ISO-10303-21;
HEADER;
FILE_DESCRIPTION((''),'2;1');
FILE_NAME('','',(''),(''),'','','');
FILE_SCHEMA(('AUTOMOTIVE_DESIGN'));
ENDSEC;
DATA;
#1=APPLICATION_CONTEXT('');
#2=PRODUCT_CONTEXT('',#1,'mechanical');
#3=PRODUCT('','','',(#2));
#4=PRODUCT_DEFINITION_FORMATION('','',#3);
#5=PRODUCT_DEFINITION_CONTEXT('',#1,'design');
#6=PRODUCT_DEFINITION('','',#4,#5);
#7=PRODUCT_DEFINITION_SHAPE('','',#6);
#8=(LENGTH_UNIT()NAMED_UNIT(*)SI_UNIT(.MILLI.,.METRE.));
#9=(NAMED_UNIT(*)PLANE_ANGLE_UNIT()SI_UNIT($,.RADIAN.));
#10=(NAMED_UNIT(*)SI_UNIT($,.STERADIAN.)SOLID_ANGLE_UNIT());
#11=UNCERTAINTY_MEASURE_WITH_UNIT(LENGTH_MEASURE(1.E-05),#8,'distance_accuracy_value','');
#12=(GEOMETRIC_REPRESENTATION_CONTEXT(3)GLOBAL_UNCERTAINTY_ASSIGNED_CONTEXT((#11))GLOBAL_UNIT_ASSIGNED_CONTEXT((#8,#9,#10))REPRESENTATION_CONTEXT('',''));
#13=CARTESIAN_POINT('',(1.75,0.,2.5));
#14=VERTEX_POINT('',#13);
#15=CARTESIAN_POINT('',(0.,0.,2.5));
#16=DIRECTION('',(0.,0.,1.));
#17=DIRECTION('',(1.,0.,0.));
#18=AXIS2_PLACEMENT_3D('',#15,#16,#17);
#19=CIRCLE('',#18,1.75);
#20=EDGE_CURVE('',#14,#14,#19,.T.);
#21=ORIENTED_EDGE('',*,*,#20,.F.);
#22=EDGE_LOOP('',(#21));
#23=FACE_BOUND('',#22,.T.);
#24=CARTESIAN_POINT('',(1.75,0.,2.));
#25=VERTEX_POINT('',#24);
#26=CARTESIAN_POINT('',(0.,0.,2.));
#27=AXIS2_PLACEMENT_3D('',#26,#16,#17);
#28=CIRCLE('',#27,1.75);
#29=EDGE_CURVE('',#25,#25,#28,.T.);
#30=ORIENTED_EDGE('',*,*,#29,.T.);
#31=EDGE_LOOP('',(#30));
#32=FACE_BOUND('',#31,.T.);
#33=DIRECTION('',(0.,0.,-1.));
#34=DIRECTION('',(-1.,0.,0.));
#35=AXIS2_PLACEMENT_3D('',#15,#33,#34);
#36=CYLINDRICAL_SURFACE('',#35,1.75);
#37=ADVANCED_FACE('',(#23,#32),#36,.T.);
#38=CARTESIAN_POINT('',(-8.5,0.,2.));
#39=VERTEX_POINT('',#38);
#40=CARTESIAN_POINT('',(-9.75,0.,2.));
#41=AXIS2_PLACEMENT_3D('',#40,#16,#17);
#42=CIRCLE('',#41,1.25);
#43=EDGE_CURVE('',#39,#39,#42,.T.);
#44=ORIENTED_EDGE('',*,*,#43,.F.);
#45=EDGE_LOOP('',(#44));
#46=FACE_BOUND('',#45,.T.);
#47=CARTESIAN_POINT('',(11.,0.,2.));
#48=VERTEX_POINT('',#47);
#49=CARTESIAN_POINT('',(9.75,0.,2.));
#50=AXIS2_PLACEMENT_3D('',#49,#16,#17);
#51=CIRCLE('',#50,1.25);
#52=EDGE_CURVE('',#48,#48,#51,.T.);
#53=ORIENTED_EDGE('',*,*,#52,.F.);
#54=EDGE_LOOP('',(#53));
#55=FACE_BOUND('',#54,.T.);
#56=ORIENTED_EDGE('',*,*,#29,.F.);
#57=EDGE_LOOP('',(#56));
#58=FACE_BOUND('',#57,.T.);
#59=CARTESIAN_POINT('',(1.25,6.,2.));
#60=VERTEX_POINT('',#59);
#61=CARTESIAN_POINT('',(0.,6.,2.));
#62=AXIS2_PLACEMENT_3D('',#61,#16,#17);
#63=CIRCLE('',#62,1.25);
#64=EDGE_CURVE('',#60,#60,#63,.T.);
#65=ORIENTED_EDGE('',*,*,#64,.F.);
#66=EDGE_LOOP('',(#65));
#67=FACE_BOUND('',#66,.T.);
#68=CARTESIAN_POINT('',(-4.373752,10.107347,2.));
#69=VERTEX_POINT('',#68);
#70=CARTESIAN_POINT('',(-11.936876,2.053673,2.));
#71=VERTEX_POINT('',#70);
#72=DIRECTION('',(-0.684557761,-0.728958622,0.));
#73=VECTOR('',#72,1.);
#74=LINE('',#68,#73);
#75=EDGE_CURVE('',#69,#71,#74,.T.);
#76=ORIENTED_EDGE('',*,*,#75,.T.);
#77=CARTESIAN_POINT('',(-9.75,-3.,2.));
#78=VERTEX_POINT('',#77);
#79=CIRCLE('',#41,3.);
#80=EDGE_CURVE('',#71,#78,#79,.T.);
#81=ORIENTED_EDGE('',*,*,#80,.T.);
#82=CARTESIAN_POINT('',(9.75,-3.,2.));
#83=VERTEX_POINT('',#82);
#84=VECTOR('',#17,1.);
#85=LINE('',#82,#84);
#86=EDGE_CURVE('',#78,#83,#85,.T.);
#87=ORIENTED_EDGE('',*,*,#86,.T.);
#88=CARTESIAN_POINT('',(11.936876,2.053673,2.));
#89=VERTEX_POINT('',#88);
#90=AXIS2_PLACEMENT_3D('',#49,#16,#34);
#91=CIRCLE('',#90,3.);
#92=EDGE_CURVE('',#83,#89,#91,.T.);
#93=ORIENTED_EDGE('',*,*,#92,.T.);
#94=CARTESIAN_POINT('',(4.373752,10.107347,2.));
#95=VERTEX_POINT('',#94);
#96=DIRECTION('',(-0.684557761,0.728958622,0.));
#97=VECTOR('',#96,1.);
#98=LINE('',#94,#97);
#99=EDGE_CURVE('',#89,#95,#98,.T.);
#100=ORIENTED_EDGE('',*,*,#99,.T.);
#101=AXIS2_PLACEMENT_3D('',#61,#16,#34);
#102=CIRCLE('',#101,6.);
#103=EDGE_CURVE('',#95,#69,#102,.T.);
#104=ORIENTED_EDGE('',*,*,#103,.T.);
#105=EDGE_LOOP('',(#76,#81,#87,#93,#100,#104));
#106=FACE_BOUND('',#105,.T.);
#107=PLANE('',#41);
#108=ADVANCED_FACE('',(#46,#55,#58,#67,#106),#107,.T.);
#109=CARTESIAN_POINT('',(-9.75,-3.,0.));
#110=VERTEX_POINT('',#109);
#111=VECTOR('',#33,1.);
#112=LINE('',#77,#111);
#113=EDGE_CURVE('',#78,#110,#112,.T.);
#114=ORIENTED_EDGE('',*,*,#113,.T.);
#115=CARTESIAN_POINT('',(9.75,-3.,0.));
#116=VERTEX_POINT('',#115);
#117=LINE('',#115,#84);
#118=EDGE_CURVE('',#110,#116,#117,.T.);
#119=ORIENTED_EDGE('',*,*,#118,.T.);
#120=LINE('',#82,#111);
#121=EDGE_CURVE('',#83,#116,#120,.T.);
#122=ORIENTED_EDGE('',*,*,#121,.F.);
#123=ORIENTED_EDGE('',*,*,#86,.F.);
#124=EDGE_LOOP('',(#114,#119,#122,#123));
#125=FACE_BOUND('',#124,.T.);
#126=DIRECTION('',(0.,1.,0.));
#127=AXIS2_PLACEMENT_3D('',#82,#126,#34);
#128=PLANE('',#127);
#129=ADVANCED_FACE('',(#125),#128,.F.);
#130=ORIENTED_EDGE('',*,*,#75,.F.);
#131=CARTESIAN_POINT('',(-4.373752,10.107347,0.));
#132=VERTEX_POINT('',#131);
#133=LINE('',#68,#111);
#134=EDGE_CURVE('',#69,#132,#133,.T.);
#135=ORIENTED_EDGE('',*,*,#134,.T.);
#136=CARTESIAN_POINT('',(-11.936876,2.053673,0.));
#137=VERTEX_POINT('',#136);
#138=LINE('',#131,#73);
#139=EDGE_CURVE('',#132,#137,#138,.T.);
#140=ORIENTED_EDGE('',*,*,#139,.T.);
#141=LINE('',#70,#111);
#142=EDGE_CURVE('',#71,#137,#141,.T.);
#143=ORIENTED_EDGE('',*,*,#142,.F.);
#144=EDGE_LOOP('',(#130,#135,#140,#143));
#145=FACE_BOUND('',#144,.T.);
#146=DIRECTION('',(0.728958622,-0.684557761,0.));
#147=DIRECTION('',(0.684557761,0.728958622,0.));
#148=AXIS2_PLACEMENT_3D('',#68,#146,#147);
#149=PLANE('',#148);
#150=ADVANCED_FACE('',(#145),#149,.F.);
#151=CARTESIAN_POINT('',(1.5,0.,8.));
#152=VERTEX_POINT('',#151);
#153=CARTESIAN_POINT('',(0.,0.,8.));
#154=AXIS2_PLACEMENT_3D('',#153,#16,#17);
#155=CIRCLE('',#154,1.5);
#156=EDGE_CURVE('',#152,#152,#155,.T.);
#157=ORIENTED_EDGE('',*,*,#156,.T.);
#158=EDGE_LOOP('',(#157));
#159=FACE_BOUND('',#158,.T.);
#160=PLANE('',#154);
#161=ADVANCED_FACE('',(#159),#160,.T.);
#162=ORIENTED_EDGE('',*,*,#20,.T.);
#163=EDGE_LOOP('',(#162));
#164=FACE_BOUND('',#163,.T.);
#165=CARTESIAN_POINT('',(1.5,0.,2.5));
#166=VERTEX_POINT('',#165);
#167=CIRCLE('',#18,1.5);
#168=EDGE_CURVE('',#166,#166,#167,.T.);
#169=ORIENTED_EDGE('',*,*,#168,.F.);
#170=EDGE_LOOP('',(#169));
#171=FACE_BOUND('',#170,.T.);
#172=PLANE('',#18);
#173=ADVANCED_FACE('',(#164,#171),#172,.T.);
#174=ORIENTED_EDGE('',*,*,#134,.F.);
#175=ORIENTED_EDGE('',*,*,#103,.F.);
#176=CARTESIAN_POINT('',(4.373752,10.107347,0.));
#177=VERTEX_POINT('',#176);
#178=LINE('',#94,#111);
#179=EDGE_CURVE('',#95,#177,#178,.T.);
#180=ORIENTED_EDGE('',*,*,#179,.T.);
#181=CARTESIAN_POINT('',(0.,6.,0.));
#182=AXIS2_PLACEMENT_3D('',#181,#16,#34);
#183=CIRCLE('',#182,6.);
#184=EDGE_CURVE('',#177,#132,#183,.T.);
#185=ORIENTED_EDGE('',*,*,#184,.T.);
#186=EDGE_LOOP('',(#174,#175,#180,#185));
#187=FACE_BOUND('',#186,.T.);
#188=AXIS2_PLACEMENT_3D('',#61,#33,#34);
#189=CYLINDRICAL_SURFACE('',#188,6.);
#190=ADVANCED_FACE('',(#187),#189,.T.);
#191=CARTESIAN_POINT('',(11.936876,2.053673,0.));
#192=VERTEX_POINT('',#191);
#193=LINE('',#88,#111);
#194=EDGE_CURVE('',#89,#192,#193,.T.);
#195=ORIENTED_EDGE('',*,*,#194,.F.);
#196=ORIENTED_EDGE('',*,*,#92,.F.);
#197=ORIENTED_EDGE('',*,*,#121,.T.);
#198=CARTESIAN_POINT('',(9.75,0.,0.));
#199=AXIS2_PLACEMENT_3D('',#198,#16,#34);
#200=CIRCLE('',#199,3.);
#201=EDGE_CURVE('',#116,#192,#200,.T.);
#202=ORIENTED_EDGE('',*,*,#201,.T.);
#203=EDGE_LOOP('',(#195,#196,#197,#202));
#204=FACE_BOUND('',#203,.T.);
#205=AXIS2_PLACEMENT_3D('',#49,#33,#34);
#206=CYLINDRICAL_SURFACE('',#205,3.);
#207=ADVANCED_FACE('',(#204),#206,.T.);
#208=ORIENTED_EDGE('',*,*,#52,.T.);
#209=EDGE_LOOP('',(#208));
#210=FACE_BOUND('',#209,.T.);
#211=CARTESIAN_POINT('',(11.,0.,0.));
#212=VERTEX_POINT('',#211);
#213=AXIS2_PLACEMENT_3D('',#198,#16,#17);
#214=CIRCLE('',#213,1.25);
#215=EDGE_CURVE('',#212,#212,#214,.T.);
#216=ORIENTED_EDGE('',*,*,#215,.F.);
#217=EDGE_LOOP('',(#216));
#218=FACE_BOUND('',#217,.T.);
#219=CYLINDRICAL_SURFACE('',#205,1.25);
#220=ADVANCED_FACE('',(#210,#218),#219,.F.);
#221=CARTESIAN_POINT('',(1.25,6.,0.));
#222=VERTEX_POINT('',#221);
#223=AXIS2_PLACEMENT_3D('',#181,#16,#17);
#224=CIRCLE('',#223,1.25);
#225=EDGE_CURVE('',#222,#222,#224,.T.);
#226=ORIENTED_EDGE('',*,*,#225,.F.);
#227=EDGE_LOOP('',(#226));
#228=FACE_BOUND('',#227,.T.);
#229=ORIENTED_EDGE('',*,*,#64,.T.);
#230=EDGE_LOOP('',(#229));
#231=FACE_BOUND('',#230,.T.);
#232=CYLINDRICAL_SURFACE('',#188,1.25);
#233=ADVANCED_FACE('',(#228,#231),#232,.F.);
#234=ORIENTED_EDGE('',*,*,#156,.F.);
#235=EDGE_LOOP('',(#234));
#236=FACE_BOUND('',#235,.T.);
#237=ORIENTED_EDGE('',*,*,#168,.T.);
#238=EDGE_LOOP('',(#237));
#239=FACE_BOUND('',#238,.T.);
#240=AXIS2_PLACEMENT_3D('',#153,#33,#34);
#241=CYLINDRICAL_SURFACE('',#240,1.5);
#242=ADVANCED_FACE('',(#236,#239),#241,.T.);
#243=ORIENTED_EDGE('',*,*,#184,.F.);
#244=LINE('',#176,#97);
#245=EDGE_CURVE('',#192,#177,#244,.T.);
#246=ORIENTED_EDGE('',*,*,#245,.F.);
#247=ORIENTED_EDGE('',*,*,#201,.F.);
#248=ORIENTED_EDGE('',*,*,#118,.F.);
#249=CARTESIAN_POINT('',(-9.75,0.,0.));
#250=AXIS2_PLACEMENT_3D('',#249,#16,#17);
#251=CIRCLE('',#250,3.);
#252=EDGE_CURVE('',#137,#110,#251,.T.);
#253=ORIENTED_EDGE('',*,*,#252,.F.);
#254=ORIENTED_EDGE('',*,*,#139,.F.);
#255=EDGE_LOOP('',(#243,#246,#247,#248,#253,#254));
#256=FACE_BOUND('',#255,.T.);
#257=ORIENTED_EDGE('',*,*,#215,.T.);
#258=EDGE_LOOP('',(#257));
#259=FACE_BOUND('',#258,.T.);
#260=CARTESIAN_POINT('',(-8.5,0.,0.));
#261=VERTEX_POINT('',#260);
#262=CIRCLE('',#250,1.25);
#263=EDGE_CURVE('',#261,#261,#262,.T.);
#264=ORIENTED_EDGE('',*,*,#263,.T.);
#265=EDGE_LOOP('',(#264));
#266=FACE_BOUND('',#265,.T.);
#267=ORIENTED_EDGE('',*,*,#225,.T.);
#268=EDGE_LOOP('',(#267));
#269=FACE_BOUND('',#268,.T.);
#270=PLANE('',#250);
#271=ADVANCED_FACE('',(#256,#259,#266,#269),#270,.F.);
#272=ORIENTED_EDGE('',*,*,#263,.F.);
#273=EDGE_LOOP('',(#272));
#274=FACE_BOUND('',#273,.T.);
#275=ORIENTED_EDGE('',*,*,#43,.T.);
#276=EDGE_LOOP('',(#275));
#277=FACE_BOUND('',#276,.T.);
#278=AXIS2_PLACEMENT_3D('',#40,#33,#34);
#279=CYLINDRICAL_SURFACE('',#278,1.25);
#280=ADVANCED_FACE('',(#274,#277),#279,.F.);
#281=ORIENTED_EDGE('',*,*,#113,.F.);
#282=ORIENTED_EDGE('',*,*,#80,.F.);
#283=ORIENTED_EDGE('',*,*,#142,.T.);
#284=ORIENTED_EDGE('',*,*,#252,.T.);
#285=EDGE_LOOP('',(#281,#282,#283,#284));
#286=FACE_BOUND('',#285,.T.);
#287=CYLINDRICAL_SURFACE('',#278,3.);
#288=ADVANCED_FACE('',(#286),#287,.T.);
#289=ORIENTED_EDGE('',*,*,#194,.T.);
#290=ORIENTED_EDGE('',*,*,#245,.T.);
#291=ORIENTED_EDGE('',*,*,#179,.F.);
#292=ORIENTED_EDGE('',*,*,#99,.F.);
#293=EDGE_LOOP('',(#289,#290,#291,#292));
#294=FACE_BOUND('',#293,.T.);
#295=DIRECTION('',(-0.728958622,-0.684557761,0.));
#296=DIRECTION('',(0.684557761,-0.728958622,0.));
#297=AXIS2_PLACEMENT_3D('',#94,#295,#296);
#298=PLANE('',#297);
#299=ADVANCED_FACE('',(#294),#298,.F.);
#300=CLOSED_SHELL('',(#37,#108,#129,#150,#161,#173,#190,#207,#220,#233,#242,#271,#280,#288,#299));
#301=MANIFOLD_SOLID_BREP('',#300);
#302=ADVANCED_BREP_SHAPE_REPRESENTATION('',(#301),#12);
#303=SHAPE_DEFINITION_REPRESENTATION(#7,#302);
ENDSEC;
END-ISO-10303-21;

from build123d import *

# Parameters (mm, degrees)
ESQUISSE1_R        = 1.25
BOSS_EXTRU_1_DEPTH = 2
ESQUISSE2_R        = 1.5
BOSS_EXTRU_2_DEPTH = 6
ESQUISSE3_R        = 1.75
BOSS_EXTRU_3_DEPTH = 0.5


with BuildPart() as part:
    # Esquisse1 → Boss.-Extru.1 (new body)
    with BuildSketch(Plane.XY):
        with BuildLine():
            Line((9.75, -3), (-9.75, -3))
            ThreePointArc((-9.75, -3), (-12.503272584, -1.191423551), (-11.936875866, 2.053673282))
            Line((-11.936875866, 2.053673282), (-4.373751731, 10.107346563))
            ThreePointArc((-4.373751731, 10.107346563), (0, 12), (4.373751731, 10.107346563))
            Line((4.373751731, 10.107346563), (11.936875866, 2.053673282))
            ThreePointArc((11.936875866, 2.053673282), (12.503272584, -1.191423551), (9.75, -3))
        make_face()
        with Locations((0, 6)):
            Circle(ESQUISSE1_R, mode=Mode.SUBTRACT)
        with Locations((9.75, 0)):
            Circle(ESQUISSE1_R, mode=Mode.SUBTRACT)
        with Locations((-9.75, 0)):
            Circle(ESQUISSE1_R, mode=Mode.SUBTRACT)
    extrude(amount=BOSS_EXTRU_1_DEPTH)

    # Esquisse2 → Boss.-Extru.2 (add)
    with BuildSketch(Plane.XY.offset(2)):
        Circle(ESQUISSE2_R)
    extrude(amount=BOSS_EXTRU_2_DEPTH)

    # Esquisse3 → Boss.-Extru.3 (add)
    with BuildSketch(Plane.XY.offset(2)):
        Circle(ESQUISSE3_R)
    extrude(amount=BOSS_EXTRU_3_DEPTH)


solid = part.part
